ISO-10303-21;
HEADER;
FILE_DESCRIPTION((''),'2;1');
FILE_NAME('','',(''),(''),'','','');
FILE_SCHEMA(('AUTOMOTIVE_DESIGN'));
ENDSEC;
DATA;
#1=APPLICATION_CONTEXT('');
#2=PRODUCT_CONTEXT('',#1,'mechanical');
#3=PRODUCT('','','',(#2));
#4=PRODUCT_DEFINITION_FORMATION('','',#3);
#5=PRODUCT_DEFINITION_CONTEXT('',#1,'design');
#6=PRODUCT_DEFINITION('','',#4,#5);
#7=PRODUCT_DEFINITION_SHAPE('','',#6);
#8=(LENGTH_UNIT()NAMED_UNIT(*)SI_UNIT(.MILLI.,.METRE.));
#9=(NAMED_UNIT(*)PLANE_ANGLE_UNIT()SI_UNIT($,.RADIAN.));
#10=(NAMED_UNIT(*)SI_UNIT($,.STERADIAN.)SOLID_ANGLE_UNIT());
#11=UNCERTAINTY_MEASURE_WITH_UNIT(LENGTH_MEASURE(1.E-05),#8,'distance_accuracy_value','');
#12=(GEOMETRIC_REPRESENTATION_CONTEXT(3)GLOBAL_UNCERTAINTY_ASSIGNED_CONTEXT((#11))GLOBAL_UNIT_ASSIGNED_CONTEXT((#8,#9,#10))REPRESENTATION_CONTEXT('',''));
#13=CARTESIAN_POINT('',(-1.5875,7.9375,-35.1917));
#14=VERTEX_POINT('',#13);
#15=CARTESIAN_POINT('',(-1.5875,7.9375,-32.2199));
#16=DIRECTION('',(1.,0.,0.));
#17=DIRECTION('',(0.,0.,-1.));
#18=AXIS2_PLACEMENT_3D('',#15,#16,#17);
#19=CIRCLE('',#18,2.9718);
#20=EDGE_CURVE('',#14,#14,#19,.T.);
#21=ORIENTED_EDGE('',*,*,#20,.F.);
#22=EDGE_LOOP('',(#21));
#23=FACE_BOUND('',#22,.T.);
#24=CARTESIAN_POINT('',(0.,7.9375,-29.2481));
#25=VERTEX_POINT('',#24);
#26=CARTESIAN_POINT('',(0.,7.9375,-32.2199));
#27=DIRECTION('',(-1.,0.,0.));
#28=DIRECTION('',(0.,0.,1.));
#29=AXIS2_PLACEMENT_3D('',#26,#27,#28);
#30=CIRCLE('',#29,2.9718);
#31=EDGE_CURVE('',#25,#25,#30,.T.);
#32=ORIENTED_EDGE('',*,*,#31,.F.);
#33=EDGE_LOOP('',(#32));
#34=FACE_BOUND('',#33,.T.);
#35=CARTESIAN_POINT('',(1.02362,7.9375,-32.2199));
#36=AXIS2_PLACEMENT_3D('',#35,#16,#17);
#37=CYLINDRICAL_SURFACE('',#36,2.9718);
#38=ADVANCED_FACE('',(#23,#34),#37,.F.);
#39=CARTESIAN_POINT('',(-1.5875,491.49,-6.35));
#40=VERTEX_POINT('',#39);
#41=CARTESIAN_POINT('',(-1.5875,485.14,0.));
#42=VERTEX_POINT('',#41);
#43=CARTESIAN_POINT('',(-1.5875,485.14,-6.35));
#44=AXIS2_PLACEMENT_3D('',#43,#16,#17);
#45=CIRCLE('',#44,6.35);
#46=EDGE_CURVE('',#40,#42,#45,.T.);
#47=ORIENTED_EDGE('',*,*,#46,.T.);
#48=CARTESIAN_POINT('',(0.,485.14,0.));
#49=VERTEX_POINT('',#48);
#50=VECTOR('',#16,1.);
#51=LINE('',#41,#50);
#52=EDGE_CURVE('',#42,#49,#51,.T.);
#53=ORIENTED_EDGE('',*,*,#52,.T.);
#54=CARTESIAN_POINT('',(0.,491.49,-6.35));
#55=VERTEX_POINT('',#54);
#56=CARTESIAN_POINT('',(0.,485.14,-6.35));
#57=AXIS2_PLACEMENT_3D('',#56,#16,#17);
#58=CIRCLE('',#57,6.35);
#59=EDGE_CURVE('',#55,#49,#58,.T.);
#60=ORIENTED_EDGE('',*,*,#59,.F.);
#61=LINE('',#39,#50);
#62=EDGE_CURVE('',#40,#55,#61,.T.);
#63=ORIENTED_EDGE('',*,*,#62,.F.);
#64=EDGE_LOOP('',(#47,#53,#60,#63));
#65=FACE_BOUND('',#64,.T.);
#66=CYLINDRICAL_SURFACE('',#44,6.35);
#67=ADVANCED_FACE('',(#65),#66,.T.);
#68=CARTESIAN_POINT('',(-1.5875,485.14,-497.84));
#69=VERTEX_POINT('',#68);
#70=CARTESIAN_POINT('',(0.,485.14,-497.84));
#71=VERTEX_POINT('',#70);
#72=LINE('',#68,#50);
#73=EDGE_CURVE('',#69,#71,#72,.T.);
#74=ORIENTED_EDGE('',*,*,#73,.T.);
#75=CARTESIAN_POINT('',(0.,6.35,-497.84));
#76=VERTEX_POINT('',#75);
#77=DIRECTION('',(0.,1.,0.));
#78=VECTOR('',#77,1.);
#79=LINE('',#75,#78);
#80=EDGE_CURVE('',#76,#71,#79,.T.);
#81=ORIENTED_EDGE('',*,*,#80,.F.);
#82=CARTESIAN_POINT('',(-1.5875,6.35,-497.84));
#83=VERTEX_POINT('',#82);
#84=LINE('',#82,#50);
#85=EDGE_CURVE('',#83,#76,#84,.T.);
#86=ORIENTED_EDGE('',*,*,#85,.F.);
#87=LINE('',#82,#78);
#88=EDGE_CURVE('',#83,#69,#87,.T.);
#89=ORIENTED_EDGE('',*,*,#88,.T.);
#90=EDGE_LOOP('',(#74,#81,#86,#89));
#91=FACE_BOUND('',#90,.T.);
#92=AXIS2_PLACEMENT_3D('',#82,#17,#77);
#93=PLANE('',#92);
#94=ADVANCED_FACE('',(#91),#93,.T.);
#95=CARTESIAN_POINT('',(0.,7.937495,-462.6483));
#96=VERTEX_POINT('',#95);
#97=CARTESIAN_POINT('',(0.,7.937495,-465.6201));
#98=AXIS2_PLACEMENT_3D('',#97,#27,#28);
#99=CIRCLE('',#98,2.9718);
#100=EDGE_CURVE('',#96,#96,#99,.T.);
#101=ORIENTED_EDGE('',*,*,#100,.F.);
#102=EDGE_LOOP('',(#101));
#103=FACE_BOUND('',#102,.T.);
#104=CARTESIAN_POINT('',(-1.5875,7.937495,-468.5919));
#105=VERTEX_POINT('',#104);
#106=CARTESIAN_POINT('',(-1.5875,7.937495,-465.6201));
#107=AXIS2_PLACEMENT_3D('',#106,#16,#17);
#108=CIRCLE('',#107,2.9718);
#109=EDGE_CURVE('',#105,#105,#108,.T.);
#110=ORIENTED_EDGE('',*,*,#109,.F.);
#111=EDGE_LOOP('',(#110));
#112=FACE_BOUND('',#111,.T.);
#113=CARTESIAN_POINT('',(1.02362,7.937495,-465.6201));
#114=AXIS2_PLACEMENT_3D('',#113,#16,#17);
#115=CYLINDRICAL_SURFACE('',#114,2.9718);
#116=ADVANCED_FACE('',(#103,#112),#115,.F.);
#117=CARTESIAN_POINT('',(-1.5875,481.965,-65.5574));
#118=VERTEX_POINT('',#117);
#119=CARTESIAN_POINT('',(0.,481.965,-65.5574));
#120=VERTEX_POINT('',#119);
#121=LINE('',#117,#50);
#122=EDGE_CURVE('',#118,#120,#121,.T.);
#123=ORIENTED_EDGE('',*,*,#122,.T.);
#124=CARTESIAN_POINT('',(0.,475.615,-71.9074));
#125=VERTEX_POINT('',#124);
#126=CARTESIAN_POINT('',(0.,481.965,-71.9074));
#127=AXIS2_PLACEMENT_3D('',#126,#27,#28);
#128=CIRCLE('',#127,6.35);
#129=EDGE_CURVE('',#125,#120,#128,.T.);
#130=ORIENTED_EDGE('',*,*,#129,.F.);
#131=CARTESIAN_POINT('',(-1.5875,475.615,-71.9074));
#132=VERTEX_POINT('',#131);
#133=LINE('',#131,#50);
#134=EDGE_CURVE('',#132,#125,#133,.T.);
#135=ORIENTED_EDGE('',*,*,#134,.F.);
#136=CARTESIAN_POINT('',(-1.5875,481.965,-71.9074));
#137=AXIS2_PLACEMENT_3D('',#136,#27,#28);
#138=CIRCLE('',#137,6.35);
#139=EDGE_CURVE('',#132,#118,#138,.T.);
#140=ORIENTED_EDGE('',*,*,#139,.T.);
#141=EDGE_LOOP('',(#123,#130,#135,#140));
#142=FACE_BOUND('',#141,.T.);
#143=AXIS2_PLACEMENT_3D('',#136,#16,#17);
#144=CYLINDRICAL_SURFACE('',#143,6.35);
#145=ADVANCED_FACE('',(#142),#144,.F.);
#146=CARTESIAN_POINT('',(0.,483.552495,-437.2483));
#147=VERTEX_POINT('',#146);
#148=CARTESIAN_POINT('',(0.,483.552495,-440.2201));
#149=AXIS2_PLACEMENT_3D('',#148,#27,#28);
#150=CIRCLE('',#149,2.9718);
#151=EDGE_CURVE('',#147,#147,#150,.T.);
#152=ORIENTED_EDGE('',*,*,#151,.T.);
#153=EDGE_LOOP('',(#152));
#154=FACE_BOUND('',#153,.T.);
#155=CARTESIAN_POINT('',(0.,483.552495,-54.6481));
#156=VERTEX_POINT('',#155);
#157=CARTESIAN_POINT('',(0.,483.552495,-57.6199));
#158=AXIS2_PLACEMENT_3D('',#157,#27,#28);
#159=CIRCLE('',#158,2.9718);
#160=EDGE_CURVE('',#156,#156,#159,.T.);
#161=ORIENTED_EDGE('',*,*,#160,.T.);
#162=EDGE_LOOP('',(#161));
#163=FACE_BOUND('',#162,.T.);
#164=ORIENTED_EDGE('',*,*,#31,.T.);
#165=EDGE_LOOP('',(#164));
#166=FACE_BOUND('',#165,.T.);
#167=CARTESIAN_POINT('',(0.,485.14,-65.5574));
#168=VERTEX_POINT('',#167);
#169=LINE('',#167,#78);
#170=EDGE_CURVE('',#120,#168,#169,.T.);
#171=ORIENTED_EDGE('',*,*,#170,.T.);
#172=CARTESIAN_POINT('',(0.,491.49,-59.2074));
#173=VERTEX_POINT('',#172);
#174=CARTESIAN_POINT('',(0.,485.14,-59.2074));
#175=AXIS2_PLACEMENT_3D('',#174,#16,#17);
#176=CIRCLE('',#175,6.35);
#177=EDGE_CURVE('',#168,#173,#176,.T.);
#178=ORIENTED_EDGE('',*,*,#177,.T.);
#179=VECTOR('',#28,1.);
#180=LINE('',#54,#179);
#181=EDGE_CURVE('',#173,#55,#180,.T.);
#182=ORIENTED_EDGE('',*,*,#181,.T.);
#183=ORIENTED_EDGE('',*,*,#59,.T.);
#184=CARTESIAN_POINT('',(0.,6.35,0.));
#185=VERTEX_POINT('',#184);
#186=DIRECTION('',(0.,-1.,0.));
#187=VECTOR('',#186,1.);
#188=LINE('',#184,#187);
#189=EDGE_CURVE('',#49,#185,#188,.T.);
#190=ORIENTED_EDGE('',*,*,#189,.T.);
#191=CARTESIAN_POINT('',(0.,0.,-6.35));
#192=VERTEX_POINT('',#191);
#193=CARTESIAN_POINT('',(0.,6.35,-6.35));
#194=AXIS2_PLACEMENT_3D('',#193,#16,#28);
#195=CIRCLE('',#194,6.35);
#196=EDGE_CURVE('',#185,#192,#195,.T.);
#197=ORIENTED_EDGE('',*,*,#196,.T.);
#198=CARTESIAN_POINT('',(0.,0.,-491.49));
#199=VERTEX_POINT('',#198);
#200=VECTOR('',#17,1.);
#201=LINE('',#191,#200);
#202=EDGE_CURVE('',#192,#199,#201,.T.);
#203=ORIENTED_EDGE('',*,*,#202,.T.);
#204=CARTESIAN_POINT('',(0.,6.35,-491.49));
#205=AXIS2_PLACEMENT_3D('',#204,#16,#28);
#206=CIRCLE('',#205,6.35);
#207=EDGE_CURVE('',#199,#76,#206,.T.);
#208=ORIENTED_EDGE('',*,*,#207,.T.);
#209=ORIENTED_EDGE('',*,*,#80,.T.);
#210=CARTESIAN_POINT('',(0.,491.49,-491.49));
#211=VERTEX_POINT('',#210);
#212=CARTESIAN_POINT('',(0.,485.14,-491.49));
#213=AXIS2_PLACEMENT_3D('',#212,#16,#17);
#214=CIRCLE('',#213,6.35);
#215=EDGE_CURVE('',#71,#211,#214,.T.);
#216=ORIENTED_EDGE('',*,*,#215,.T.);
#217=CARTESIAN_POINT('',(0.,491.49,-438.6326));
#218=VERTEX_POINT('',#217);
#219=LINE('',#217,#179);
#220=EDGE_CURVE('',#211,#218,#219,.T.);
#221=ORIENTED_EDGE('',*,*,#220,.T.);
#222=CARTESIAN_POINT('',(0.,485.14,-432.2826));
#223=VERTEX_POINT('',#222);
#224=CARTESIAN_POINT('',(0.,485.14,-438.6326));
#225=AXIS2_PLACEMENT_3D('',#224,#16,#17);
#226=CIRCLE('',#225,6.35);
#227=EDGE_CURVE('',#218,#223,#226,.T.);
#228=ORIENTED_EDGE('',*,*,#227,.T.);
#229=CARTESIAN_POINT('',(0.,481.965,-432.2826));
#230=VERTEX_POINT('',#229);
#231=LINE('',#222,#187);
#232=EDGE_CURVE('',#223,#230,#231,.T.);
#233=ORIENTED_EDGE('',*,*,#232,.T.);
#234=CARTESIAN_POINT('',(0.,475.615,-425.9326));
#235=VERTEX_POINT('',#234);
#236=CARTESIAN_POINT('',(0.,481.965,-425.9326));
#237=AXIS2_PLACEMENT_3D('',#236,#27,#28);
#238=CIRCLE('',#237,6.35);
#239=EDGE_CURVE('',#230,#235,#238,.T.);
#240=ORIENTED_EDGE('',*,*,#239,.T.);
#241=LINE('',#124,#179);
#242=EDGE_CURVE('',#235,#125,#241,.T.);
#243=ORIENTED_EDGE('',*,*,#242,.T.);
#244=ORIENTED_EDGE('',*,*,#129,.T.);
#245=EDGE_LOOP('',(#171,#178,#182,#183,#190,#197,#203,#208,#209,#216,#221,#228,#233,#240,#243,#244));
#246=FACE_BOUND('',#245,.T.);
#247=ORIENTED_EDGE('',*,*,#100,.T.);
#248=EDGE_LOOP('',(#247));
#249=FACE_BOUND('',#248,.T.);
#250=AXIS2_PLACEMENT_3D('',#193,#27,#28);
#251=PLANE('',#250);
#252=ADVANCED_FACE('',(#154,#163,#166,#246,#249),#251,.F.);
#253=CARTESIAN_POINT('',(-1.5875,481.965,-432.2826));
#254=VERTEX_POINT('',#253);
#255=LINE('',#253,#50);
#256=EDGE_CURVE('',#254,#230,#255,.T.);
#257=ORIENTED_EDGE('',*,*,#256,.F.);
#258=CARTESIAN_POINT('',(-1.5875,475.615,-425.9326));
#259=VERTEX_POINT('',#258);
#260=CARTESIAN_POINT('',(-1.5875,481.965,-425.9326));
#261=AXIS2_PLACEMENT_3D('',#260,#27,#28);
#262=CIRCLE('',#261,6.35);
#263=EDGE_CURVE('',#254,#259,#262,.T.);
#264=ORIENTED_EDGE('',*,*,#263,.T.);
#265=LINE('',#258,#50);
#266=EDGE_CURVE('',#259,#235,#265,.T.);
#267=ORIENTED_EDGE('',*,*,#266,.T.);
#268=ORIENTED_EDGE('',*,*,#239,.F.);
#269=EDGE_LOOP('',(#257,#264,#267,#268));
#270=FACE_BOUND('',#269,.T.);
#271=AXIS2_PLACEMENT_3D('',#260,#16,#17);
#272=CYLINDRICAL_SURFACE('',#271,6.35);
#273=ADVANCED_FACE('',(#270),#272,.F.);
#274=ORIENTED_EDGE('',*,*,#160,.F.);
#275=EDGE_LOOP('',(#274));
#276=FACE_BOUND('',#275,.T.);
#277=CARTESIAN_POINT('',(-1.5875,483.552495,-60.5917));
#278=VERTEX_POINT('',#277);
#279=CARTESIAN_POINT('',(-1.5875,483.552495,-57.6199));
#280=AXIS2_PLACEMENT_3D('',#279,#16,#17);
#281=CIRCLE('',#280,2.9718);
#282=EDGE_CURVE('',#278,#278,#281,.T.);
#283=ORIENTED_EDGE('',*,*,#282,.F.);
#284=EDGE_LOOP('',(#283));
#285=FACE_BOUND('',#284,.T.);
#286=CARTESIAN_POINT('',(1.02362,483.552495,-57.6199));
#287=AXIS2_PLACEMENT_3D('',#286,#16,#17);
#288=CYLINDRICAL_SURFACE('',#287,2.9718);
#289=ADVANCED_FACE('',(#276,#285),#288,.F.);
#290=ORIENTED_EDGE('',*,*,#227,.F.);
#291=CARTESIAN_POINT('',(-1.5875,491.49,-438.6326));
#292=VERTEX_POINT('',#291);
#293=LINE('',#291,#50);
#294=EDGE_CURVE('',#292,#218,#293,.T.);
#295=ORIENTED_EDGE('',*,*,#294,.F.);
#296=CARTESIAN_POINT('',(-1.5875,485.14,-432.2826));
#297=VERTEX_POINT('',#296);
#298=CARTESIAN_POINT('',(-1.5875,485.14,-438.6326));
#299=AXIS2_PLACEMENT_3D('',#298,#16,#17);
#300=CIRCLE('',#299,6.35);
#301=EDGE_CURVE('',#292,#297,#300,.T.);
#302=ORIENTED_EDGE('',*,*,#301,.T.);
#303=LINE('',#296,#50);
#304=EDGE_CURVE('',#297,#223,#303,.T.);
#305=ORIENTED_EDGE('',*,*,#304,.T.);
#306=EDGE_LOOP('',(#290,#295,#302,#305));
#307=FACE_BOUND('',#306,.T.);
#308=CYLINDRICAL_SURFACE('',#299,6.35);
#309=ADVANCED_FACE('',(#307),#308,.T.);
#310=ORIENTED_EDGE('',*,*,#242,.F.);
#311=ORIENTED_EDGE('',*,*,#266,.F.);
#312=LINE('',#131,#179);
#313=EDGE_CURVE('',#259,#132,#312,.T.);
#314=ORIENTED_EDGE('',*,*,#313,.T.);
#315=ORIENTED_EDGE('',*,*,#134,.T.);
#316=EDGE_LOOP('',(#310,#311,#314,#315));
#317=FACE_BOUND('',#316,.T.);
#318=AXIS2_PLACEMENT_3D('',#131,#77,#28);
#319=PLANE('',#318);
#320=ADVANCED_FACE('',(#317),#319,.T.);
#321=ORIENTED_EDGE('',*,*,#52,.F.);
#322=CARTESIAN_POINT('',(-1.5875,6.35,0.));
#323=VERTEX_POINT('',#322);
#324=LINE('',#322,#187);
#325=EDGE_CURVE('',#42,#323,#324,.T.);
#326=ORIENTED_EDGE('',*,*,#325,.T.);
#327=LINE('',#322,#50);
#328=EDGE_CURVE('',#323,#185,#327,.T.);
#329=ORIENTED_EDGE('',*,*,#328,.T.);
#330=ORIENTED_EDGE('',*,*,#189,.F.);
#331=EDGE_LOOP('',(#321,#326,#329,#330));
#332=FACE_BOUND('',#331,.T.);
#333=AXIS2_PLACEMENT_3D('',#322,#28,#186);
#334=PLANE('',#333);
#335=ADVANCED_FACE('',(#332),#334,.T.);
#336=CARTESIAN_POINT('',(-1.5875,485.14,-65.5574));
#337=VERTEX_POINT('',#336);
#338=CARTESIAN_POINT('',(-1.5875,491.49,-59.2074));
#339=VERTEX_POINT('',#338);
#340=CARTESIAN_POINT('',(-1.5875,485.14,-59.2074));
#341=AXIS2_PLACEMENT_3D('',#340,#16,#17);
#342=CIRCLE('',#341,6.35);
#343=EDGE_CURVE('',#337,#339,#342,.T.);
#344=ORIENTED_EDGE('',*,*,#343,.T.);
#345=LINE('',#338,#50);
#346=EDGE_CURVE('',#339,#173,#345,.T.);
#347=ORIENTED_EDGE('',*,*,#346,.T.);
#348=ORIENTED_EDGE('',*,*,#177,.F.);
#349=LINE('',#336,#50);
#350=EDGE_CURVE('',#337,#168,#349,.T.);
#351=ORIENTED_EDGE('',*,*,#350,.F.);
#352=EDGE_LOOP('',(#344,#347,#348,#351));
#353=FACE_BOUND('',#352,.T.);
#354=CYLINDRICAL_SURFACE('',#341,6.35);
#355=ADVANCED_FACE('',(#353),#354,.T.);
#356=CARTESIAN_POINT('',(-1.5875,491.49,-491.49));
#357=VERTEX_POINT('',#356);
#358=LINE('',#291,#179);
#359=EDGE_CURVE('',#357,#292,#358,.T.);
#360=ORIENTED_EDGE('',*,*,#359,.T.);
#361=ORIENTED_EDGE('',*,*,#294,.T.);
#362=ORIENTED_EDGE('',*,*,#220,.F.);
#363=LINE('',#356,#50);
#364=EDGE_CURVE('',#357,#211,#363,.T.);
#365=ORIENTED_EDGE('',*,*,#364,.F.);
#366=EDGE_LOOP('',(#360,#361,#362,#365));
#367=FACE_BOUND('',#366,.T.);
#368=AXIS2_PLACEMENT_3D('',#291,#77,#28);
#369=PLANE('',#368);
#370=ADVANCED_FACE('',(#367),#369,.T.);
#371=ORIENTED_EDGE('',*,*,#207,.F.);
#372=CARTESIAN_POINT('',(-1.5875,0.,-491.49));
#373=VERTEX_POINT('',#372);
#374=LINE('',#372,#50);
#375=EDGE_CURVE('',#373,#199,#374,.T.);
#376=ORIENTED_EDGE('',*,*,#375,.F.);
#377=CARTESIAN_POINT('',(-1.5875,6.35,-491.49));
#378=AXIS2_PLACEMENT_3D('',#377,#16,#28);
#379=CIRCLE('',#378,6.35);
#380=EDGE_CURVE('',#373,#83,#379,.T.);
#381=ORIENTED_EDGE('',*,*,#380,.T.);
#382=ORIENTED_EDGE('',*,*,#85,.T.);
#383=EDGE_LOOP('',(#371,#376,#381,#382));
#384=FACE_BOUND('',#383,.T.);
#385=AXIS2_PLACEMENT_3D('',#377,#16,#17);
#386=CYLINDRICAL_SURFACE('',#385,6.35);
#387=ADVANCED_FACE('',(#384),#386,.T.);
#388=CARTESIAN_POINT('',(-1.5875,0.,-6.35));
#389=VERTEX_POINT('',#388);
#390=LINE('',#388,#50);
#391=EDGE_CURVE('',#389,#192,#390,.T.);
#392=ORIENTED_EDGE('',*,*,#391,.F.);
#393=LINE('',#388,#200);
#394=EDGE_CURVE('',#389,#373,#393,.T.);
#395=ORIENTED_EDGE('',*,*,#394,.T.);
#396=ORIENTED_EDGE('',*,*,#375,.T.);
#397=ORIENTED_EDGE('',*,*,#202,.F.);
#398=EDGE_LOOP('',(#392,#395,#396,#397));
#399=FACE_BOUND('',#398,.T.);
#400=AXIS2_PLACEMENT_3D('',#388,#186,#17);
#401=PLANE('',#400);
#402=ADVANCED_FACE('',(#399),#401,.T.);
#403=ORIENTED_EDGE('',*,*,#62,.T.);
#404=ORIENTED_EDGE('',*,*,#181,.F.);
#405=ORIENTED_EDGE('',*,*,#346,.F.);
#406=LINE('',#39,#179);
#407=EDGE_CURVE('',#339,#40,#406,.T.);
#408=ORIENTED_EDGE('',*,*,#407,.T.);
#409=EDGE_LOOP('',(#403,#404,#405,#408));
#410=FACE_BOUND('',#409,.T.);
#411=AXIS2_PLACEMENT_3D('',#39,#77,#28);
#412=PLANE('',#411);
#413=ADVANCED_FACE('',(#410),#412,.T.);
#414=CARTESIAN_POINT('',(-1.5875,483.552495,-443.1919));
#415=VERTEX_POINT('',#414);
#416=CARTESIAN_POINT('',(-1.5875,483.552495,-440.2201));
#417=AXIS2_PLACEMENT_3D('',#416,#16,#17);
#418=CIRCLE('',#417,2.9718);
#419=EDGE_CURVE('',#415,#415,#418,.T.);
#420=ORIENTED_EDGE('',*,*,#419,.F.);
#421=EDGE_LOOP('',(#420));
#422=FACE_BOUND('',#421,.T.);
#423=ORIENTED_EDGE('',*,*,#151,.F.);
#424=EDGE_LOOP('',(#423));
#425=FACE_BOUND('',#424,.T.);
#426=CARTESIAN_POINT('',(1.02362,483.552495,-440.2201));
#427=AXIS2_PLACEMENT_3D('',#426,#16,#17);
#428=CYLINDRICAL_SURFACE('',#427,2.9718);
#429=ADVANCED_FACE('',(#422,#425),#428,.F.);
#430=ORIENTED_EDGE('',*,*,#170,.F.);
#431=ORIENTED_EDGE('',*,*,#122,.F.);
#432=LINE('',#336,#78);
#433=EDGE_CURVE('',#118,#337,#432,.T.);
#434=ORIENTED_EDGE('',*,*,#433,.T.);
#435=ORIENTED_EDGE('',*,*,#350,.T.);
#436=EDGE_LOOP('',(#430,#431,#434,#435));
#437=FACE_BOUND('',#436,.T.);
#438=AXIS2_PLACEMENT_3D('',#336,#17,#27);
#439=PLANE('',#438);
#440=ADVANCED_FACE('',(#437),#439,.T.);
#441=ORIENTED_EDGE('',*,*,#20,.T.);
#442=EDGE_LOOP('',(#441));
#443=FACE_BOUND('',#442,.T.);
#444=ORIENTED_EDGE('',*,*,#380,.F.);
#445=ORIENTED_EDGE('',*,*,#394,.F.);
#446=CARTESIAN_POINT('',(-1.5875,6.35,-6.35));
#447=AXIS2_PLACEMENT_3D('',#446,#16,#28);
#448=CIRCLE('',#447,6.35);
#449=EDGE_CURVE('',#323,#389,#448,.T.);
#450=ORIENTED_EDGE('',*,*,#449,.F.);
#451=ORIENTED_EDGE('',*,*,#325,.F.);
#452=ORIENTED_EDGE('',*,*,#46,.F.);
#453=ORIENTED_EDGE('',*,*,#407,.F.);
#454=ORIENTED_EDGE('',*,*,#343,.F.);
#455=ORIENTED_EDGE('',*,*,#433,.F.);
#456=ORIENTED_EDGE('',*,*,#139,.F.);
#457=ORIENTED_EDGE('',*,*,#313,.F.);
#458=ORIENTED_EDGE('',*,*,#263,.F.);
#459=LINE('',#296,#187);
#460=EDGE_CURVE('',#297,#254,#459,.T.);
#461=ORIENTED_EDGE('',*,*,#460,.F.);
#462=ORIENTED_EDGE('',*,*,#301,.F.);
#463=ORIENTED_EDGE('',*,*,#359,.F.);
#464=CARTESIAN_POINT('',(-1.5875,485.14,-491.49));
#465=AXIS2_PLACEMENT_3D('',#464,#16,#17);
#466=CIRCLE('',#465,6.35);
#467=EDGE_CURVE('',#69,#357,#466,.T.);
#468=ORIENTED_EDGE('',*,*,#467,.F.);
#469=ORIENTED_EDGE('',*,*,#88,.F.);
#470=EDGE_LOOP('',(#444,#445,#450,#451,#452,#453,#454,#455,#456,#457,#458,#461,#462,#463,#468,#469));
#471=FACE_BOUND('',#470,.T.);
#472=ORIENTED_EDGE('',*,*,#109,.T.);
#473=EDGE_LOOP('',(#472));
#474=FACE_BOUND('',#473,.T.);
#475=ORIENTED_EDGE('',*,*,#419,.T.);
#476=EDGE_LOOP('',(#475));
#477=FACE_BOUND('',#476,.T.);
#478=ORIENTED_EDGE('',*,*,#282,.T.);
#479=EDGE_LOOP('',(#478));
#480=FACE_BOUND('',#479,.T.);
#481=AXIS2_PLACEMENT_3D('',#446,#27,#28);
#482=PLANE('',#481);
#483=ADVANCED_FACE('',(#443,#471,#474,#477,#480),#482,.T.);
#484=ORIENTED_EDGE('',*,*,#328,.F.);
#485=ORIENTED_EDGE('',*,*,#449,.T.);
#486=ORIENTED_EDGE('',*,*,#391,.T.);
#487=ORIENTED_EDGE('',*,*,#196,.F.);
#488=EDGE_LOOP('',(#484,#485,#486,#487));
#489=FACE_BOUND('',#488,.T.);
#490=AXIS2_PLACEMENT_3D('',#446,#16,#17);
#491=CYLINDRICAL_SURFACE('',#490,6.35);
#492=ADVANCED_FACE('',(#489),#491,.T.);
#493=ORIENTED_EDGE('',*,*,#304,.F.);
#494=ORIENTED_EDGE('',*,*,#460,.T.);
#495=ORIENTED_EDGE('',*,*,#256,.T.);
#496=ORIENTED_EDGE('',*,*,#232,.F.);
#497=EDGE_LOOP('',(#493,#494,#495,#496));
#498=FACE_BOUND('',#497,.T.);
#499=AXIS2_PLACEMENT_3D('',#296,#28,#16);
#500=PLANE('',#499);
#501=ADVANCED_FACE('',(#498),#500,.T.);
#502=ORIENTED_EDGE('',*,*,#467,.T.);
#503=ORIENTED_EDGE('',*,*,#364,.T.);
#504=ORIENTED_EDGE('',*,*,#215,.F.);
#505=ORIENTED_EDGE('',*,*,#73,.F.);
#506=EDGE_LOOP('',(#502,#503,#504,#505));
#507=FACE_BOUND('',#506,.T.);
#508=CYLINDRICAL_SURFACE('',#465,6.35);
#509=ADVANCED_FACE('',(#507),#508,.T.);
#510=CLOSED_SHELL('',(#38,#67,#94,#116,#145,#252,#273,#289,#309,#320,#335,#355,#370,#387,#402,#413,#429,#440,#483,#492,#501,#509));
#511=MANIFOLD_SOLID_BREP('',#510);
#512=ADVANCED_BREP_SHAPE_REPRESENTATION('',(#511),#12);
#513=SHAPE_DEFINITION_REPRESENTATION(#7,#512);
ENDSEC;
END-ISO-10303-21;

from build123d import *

# Parameters (mm, degrees)
BOSS_EXTRUDE1_DEPTH      = 1.5875
A_0_234_DIAMETER_HOLE1_D = 5.9436


with BuildPart() as part:
    # Sketch1 → Boss-Extrude1 (new body)
    with BuildSketch(Plane(origin=(0, 0, 0), x_dir=(0, 0, -1), z_dir=(1, 0, 0))):
        with BuildLine():
            Line((438.6326, 491.49), (491.49, 491.49))
            ThreePointArc((491.49, 491.49), (495.980128061, 489.630128061), (497.84, 485.14))
            Line((497.84, 485.14), (497.84, 6.35))
            ThreePointArc((497.84, 6.35), (495.980128061, 1.859871939), (491.49, 0))
            Line((491.49, 0), (6.35, 0))
            ThreePointArc((6.35, 0), (1.859871939, 1.859871939), (0, 6.35))
            Line((0, 6.35), (0, 485.14))
            ThreePointArc((0, 485.14), (1.859871939, 489.630128061), (6.35, 491.49))
            Line((6.35, 491.49), (59.2074, 491.49))
            ThreePointArc((59.2074, 491.49), (63.697528061, 489.630128061), (65.5574, 485.14))
            Line((65.5574, 485.14), (65.5574, 481.965))
            ThreePointArc((65.5574, 481.965), (67.417271939, 477.474871939), (71.9074, 475.615))
            Line((71.9074, 475.615), (425.9326, 475.615))
            ThreePointArc((425.9326, 475.615), (430.422728061, 477.474871939), (432.2826, 481.965))
            Line((432.2826, 481.965), (432.2826, 485.14))
            ThreePointArc((432.2826, 485.14), (434.142471939, 489.630128061), (438.6326, 491.49))
        make_face()
    extrude(amount=-BOSS_EXTRUDE1_DEPTH)

    # A (0.234) Diameter Hole1 (through all)
    with Locations(Plane(origin=(1.02362, -1353.361752646, -2205.813131805), x_dir=(0, 0, -1), z_dir=(1, 0, 0))):
        with Locations((-2173.593231805, 1361.299252646), (-1740.193031805, 1361.29924771), (-1765.593031805, 1836.91424771), (-2148.193231805, 1836.91424771)):
            Hole(A_0_234_DIAMETER_HOLE1_D / 2)


solid = part.part
